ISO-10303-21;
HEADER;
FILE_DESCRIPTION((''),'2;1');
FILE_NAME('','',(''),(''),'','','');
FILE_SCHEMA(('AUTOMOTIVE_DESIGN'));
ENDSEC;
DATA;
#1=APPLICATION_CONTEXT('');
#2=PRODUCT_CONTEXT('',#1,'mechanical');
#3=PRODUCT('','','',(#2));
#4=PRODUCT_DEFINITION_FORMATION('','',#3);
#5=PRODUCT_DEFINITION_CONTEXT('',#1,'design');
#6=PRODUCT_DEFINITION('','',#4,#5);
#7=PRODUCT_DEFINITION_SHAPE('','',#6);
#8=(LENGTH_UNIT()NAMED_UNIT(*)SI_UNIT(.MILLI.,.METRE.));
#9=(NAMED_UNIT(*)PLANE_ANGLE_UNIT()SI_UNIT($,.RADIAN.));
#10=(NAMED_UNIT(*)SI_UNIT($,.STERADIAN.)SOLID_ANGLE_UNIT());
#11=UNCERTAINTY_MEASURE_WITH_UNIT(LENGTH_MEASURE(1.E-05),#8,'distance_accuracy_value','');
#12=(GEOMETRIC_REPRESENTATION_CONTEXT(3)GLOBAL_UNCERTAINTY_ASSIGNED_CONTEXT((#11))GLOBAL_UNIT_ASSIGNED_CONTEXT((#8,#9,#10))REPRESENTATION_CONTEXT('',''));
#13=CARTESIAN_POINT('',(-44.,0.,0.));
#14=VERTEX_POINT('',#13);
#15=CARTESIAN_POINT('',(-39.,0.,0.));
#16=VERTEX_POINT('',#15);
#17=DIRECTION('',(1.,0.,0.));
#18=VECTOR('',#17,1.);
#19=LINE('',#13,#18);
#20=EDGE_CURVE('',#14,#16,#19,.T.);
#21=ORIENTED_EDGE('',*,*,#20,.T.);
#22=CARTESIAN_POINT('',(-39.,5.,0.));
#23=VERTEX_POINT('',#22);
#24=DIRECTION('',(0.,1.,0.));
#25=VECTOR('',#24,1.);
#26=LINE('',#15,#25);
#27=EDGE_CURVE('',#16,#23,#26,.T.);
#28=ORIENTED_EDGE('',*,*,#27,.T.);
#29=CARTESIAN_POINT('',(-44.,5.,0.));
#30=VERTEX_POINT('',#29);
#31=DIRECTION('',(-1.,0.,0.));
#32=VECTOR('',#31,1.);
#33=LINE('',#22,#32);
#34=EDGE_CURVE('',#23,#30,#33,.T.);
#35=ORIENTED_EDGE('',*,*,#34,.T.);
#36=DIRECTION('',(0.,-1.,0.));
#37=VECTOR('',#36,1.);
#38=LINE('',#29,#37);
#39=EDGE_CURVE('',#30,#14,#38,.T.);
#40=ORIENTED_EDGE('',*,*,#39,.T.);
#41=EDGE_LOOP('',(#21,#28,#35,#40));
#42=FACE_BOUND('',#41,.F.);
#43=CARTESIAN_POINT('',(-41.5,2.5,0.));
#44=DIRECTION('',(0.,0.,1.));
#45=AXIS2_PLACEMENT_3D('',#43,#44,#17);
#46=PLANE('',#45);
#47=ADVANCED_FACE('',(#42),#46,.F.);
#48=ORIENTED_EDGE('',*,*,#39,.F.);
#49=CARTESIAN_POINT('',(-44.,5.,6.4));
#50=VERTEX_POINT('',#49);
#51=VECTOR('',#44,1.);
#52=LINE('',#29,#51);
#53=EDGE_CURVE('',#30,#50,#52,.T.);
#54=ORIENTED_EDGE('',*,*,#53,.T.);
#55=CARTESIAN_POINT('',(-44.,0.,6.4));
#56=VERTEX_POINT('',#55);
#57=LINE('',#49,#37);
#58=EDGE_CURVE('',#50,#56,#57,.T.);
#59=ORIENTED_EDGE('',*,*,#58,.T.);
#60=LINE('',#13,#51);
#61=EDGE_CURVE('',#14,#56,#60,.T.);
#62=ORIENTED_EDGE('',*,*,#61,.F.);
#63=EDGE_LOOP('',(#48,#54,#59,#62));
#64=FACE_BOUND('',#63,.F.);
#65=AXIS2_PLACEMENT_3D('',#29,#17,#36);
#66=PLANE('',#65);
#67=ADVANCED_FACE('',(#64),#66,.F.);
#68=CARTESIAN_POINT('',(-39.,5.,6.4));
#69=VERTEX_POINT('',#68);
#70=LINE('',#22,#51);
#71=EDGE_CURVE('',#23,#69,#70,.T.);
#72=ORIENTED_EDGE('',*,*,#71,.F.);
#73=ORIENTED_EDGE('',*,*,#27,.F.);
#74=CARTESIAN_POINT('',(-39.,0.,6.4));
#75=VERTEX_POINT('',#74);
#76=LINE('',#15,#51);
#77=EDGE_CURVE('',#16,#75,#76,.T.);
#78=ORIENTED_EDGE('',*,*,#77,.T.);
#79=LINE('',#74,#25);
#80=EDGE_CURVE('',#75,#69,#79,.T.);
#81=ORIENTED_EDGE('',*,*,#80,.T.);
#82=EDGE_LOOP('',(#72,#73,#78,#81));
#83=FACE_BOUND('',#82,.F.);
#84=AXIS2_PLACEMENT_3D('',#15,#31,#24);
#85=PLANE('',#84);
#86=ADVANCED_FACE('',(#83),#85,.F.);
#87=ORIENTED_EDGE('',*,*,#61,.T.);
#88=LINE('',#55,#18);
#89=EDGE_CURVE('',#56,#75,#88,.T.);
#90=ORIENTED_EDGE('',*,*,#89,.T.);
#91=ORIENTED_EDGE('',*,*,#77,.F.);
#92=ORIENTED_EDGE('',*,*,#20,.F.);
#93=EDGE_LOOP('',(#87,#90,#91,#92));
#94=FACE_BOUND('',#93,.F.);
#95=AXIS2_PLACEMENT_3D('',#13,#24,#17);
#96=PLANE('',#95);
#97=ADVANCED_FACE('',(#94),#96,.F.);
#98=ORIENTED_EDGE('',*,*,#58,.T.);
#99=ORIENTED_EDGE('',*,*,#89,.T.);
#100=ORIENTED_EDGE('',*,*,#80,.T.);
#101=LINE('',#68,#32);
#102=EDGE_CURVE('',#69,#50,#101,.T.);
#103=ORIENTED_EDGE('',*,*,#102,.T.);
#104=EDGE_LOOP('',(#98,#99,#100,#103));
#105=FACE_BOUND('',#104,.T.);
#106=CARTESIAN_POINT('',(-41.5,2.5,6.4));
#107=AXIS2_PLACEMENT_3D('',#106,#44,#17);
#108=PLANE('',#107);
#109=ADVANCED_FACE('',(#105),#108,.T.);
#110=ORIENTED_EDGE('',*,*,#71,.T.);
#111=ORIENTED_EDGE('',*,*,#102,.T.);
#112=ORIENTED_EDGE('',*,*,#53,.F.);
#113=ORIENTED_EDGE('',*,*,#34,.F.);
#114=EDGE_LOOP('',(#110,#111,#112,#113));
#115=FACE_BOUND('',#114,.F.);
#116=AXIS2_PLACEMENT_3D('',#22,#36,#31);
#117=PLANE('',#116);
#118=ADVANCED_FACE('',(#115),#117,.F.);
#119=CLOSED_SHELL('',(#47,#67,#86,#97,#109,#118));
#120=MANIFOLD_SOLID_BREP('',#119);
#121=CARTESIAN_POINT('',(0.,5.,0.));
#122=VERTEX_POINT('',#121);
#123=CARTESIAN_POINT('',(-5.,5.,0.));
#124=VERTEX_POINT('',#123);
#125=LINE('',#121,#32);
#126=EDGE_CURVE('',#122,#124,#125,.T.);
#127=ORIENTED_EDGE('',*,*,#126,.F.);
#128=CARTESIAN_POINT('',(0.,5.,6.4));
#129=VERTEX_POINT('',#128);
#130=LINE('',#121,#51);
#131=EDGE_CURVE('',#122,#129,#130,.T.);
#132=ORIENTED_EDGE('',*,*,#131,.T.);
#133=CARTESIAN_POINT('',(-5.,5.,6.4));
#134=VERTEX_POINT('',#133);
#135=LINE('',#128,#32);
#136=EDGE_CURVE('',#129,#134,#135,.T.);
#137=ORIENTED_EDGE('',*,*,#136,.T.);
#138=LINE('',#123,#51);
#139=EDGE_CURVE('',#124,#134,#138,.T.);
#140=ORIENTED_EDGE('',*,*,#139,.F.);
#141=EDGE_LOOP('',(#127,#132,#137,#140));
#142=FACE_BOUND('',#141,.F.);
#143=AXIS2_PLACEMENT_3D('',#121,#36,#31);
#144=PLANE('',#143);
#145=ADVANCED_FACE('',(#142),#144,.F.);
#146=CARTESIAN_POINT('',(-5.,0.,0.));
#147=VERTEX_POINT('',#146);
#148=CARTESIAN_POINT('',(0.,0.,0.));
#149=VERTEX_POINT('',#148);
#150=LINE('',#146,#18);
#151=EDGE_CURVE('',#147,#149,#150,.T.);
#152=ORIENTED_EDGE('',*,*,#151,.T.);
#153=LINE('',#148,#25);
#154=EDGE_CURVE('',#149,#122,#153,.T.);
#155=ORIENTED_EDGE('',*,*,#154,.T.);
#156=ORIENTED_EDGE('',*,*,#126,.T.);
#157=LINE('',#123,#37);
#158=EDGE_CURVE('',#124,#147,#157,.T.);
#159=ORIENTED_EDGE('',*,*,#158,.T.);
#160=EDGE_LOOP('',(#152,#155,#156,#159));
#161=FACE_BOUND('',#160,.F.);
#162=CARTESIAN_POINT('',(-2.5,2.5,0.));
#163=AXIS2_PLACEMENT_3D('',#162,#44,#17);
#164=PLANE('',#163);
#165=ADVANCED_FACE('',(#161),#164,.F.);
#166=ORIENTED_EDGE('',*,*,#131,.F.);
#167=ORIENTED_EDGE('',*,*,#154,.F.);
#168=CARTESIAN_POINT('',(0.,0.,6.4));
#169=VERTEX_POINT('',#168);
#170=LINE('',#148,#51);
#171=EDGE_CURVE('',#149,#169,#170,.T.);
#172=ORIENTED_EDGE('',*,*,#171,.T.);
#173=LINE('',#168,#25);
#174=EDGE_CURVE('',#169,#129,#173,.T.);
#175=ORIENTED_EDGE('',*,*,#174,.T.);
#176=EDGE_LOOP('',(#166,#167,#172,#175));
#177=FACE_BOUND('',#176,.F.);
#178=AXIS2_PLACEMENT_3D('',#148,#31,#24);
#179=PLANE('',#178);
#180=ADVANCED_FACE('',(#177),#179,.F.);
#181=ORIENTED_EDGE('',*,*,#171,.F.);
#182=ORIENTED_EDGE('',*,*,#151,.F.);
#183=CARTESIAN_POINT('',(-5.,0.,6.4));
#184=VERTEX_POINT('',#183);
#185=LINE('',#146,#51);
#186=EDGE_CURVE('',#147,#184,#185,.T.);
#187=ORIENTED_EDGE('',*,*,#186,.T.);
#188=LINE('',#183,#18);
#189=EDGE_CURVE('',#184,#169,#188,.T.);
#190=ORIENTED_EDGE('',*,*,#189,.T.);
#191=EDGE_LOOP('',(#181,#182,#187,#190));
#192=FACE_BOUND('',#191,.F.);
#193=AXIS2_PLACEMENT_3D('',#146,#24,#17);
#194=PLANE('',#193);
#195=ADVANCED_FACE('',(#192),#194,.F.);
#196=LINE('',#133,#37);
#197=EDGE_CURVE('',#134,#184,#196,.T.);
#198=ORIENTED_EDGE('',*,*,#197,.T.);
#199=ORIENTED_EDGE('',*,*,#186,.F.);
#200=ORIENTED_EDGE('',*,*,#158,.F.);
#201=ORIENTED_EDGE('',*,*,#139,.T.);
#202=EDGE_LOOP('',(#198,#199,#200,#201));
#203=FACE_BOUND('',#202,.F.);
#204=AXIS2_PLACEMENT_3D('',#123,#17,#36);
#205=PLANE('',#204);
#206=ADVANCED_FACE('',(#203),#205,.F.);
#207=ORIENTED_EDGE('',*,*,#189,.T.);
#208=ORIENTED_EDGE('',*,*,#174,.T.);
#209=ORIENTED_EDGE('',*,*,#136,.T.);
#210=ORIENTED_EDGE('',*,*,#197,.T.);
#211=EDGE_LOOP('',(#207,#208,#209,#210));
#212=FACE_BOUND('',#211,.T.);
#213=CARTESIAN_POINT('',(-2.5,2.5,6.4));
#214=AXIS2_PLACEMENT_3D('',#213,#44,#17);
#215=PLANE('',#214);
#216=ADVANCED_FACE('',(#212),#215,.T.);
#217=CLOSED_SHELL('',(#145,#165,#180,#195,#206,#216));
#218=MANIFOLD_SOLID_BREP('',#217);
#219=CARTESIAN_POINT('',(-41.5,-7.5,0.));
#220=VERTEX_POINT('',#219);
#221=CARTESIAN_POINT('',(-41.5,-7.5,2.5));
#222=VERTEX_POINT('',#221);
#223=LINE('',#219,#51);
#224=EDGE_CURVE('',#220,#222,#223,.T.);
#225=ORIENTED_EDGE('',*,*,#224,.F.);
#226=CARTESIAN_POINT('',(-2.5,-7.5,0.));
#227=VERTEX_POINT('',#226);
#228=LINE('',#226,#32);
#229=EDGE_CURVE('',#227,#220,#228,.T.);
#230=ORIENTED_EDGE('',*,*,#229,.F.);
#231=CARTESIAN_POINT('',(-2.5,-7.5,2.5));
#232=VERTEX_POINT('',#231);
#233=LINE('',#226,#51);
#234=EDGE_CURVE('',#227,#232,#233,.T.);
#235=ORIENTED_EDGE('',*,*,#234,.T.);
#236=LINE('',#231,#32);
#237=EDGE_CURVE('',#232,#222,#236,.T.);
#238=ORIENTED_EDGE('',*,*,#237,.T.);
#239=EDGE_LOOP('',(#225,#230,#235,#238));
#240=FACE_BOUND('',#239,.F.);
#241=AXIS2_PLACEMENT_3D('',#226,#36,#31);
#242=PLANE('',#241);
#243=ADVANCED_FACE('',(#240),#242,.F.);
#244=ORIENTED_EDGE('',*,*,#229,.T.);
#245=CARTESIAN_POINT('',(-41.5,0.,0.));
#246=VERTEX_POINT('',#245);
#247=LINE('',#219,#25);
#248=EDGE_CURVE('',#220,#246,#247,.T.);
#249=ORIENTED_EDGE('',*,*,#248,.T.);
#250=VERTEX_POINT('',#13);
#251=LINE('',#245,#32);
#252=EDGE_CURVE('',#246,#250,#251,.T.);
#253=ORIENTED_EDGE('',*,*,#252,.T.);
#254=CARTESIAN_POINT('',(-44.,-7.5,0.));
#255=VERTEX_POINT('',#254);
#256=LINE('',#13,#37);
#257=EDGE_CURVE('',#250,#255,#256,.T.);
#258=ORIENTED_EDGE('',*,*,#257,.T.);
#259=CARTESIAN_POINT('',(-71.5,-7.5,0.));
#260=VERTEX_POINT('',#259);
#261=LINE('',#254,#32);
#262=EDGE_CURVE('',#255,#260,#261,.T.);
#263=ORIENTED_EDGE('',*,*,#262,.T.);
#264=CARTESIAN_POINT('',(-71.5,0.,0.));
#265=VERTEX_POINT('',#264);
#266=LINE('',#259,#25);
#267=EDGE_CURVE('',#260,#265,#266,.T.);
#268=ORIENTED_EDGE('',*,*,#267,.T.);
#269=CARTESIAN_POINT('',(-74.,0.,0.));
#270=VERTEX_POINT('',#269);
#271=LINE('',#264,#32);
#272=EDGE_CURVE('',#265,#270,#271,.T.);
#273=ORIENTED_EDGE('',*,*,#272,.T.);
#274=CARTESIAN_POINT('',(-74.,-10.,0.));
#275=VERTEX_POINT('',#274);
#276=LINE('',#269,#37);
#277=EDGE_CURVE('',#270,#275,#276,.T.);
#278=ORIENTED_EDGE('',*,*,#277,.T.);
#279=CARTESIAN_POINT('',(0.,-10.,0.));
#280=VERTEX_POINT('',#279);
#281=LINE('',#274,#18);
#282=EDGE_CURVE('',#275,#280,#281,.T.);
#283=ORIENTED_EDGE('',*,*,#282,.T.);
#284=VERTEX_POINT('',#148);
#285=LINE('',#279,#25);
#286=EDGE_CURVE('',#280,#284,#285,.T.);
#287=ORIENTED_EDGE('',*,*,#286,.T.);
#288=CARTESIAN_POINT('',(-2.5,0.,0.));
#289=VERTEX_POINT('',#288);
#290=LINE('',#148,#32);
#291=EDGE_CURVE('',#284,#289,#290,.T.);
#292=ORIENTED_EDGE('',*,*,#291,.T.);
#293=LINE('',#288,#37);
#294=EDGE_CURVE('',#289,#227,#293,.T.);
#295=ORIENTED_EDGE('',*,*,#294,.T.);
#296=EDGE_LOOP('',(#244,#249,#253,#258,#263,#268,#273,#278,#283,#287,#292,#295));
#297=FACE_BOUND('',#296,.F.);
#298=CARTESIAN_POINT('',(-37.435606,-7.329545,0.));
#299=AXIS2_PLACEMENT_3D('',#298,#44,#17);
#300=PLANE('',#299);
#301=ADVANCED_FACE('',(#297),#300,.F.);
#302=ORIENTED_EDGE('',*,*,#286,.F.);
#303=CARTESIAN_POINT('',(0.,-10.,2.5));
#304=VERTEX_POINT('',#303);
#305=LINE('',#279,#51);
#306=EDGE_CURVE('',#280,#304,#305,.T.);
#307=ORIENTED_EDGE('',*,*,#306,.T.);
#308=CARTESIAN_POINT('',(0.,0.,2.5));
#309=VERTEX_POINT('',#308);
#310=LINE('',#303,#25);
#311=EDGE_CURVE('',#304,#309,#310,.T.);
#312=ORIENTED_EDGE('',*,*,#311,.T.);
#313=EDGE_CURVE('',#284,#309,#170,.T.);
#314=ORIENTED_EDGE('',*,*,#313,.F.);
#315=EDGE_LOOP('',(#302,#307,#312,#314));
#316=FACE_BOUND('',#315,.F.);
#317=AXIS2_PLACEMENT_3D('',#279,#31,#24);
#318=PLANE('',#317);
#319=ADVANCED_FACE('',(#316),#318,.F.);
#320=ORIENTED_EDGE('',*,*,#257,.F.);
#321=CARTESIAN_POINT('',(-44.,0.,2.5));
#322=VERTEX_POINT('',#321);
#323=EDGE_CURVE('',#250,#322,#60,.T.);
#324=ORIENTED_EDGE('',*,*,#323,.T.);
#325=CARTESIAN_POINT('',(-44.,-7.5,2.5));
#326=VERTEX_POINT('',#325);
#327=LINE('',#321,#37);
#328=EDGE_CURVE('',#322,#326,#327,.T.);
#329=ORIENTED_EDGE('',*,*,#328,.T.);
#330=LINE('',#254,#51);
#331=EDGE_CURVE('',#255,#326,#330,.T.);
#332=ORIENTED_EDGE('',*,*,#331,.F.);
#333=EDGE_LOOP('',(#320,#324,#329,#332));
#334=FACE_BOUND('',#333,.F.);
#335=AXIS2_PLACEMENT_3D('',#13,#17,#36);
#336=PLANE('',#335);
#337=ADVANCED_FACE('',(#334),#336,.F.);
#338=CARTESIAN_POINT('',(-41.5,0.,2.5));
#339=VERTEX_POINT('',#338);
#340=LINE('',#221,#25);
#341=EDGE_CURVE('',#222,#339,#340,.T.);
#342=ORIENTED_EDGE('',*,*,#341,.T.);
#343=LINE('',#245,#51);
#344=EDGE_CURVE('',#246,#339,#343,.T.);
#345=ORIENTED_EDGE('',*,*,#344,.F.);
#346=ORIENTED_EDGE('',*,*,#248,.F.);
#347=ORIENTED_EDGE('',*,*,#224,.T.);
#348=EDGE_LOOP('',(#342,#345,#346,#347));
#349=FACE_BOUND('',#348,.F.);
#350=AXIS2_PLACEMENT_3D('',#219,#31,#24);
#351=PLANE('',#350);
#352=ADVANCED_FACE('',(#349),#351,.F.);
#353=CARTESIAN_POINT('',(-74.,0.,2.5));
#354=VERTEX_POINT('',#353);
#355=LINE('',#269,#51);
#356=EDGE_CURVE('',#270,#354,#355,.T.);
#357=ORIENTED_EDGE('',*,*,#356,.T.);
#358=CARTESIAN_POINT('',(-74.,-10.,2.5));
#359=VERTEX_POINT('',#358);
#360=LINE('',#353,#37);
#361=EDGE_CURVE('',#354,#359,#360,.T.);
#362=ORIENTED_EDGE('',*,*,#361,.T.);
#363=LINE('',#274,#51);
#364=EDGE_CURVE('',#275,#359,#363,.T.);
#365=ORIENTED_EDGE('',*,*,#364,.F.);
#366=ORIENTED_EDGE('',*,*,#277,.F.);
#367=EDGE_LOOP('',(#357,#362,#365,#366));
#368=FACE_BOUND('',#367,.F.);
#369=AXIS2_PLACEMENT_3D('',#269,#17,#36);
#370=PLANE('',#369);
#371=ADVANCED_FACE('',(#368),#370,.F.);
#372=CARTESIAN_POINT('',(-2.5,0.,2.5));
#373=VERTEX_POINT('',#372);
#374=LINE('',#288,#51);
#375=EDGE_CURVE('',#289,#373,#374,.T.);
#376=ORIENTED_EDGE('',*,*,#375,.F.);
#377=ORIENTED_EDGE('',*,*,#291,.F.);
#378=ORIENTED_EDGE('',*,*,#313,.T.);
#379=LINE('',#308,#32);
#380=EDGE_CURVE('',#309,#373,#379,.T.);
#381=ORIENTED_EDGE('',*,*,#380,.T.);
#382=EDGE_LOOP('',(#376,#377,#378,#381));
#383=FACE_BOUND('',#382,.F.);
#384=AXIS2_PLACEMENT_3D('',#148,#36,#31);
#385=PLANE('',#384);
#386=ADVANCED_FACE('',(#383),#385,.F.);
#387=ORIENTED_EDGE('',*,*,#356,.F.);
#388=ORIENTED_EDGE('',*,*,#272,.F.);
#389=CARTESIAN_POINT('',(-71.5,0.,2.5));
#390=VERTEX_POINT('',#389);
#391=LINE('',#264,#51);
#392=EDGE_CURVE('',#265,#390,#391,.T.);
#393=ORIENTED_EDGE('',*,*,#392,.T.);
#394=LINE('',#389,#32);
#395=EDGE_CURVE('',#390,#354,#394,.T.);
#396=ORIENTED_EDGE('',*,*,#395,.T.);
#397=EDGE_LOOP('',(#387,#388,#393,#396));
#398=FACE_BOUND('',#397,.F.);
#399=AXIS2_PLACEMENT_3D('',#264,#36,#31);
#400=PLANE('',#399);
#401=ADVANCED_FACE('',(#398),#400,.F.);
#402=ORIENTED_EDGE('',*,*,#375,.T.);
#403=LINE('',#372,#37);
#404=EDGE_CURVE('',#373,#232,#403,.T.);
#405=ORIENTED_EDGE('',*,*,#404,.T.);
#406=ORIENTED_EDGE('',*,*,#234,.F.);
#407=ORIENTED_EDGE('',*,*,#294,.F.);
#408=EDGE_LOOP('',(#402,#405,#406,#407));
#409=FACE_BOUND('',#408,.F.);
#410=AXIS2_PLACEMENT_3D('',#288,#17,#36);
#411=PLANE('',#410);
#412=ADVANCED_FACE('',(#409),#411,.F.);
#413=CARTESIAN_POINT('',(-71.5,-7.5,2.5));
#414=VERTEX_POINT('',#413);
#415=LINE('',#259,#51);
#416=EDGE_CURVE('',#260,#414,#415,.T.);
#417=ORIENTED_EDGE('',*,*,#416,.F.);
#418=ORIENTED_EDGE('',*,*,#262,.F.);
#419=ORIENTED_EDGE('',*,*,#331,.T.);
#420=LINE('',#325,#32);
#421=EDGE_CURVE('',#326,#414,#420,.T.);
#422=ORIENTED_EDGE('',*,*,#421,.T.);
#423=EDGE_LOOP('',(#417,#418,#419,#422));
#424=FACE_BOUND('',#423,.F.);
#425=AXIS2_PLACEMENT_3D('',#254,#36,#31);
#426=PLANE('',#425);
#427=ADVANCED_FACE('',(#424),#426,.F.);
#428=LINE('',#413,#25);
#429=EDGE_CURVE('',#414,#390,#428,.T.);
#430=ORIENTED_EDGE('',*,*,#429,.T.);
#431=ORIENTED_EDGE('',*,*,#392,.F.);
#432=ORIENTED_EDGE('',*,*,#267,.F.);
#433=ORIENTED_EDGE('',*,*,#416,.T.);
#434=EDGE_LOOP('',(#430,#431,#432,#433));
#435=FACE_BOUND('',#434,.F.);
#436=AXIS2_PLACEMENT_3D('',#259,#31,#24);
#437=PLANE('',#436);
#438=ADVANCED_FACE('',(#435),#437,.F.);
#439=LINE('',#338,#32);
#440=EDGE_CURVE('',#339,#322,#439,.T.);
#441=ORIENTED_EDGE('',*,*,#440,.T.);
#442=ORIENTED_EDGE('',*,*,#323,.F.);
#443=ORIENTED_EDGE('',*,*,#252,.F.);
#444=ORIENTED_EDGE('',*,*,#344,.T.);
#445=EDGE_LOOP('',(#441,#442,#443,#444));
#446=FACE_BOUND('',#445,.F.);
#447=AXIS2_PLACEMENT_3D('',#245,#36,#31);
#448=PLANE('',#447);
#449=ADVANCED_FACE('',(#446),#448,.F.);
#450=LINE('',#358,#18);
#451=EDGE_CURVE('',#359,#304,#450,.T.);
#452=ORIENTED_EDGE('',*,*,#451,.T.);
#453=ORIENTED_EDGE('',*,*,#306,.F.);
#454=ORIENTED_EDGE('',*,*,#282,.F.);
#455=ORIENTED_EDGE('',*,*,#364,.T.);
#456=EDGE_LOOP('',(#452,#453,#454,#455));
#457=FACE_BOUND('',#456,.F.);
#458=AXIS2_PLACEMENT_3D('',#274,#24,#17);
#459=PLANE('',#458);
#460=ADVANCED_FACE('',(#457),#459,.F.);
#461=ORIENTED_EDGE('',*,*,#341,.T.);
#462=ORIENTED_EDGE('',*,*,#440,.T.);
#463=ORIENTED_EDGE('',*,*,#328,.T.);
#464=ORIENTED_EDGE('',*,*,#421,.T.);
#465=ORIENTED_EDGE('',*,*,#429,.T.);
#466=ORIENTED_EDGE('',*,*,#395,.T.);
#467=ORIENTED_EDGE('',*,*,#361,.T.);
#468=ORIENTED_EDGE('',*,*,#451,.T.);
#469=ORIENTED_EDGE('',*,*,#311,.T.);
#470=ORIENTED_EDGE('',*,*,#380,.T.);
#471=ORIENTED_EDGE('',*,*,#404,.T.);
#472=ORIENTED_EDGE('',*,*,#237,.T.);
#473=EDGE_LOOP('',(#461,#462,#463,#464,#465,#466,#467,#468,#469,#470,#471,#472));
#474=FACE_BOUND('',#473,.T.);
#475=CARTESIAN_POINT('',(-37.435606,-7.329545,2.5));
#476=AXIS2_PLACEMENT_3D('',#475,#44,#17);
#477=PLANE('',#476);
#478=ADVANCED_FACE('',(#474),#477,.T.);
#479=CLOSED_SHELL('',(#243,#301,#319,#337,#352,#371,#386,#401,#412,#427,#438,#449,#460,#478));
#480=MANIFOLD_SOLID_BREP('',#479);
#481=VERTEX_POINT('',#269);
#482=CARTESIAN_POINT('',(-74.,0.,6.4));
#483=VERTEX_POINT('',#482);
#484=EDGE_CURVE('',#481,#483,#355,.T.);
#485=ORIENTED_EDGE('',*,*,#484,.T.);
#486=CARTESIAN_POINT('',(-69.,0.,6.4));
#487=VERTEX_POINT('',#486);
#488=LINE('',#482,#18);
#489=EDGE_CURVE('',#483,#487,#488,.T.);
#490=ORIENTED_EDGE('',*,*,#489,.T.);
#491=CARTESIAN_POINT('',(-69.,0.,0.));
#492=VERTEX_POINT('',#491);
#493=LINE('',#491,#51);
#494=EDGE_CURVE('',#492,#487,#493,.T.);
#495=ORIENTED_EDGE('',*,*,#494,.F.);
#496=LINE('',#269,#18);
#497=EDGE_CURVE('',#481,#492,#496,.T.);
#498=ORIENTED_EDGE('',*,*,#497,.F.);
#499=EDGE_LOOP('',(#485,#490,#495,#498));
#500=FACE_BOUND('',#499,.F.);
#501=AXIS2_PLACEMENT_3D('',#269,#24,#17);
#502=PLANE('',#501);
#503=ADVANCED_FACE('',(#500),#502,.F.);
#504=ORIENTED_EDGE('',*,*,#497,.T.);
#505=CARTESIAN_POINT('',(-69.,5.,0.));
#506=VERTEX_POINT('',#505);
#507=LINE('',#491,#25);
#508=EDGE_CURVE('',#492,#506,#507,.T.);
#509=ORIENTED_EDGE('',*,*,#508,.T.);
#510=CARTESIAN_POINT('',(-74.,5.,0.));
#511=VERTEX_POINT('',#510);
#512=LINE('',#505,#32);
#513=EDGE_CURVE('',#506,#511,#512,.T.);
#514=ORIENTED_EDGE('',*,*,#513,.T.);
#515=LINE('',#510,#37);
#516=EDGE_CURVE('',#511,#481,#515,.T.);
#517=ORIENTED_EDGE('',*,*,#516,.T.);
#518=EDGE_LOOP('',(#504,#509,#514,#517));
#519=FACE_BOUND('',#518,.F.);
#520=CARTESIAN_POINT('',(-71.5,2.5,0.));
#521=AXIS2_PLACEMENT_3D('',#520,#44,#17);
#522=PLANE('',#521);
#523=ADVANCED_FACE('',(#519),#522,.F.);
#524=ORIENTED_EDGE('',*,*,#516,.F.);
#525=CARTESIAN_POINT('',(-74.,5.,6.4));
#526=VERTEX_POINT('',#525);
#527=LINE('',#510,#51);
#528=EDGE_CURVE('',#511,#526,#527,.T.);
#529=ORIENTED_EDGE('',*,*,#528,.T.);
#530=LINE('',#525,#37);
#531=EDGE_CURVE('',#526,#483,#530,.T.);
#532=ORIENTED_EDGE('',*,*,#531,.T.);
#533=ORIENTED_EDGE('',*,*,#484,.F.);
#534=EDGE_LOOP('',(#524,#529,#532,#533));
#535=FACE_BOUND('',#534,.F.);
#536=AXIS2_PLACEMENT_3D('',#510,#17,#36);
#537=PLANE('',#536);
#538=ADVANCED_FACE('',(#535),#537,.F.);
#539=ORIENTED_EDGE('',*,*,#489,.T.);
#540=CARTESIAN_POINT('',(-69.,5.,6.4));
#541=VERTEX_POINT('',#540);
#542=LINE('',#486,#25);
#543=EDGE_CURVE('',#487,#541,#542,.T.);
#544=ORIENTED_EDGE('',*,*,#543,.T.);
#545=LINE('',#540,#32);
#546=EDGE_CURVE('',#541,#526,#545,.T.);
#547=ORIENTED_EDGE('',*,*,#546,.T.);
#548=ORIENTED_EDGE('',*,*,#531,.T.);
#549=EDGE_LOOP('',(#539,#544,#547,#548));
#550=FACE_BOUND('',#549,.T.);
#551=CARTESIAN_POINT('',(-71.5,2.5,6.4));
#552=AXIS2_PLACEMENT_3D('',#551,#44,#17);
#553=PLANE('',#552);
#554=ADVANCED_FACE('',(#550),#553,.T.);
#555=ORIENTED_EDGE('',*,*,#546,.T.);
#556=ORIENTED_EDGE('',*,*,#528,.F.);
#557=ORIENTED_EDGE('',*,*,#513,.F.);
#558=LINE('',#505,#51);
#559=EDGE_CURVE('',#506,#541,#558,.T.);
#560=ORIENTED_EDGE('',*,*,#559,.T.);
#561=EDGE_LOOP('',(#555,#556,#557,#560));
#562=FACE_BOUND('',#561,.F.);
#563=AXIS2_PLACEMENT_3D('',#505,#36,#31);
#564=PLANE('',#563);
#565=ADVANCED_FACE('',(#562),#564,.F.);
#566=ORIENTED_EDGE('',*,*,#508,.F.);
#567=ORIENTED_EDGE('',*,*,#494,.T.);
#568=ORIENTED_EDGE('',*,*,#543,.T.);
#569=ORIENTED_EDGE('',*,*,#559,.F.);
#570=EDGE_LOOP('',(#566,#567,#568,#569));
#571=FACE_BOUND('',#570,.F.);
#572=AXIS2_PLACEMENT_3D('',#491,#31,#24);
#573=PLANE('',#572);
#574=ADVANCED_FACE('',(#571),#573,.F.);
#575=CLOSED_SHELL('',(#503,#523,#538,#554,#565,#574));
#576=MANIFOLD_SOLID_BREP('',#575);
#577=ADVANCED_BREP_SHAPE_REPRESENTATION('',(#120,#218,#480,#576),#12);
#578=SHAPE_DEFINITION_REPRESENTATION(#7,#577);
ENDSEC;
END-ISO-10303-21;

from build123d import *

# Parameters (mm, degrees)
F1_DEPTH = 6.4
F2_DEPTH = 2.5


with BuildPart() as f1:
    # F0 (on Top) → F1 (new body)
    with BuildSketch(Plane.XY):
        Polygon((-2.5, 0), (0, 0), (0, 5), (-5, 5), (-5, 0), align=None)
        Polygon((-74, 5), (-74, 0), (-71.5, 0), (-69, 0), (-69, 5), align=None)
        Polygon((-44, 0), (-41.5, 0), (-39, 0), (-39, 5), (-44, 5), align=None)
    extrude(amount=F1_DEPTH)


with BuildPart() as f2:
    # F0 (on Top) → F2 (new body)
    with BuildSketch(Plane.XY):
        Polygon((0, -10), (0, 0), (-2.5, 0), (-2.5, -7.5), (-41.5, -7.5), (-41.5, 0), (-44, 0), (-44, -7.5), (-71.5, -7.5), (-71.5, 0), (-74, 0), (-74, -10), align=None)
    extrude(amount=F2_DEPTH)


solid = Compound([f1.part, f2.part])
